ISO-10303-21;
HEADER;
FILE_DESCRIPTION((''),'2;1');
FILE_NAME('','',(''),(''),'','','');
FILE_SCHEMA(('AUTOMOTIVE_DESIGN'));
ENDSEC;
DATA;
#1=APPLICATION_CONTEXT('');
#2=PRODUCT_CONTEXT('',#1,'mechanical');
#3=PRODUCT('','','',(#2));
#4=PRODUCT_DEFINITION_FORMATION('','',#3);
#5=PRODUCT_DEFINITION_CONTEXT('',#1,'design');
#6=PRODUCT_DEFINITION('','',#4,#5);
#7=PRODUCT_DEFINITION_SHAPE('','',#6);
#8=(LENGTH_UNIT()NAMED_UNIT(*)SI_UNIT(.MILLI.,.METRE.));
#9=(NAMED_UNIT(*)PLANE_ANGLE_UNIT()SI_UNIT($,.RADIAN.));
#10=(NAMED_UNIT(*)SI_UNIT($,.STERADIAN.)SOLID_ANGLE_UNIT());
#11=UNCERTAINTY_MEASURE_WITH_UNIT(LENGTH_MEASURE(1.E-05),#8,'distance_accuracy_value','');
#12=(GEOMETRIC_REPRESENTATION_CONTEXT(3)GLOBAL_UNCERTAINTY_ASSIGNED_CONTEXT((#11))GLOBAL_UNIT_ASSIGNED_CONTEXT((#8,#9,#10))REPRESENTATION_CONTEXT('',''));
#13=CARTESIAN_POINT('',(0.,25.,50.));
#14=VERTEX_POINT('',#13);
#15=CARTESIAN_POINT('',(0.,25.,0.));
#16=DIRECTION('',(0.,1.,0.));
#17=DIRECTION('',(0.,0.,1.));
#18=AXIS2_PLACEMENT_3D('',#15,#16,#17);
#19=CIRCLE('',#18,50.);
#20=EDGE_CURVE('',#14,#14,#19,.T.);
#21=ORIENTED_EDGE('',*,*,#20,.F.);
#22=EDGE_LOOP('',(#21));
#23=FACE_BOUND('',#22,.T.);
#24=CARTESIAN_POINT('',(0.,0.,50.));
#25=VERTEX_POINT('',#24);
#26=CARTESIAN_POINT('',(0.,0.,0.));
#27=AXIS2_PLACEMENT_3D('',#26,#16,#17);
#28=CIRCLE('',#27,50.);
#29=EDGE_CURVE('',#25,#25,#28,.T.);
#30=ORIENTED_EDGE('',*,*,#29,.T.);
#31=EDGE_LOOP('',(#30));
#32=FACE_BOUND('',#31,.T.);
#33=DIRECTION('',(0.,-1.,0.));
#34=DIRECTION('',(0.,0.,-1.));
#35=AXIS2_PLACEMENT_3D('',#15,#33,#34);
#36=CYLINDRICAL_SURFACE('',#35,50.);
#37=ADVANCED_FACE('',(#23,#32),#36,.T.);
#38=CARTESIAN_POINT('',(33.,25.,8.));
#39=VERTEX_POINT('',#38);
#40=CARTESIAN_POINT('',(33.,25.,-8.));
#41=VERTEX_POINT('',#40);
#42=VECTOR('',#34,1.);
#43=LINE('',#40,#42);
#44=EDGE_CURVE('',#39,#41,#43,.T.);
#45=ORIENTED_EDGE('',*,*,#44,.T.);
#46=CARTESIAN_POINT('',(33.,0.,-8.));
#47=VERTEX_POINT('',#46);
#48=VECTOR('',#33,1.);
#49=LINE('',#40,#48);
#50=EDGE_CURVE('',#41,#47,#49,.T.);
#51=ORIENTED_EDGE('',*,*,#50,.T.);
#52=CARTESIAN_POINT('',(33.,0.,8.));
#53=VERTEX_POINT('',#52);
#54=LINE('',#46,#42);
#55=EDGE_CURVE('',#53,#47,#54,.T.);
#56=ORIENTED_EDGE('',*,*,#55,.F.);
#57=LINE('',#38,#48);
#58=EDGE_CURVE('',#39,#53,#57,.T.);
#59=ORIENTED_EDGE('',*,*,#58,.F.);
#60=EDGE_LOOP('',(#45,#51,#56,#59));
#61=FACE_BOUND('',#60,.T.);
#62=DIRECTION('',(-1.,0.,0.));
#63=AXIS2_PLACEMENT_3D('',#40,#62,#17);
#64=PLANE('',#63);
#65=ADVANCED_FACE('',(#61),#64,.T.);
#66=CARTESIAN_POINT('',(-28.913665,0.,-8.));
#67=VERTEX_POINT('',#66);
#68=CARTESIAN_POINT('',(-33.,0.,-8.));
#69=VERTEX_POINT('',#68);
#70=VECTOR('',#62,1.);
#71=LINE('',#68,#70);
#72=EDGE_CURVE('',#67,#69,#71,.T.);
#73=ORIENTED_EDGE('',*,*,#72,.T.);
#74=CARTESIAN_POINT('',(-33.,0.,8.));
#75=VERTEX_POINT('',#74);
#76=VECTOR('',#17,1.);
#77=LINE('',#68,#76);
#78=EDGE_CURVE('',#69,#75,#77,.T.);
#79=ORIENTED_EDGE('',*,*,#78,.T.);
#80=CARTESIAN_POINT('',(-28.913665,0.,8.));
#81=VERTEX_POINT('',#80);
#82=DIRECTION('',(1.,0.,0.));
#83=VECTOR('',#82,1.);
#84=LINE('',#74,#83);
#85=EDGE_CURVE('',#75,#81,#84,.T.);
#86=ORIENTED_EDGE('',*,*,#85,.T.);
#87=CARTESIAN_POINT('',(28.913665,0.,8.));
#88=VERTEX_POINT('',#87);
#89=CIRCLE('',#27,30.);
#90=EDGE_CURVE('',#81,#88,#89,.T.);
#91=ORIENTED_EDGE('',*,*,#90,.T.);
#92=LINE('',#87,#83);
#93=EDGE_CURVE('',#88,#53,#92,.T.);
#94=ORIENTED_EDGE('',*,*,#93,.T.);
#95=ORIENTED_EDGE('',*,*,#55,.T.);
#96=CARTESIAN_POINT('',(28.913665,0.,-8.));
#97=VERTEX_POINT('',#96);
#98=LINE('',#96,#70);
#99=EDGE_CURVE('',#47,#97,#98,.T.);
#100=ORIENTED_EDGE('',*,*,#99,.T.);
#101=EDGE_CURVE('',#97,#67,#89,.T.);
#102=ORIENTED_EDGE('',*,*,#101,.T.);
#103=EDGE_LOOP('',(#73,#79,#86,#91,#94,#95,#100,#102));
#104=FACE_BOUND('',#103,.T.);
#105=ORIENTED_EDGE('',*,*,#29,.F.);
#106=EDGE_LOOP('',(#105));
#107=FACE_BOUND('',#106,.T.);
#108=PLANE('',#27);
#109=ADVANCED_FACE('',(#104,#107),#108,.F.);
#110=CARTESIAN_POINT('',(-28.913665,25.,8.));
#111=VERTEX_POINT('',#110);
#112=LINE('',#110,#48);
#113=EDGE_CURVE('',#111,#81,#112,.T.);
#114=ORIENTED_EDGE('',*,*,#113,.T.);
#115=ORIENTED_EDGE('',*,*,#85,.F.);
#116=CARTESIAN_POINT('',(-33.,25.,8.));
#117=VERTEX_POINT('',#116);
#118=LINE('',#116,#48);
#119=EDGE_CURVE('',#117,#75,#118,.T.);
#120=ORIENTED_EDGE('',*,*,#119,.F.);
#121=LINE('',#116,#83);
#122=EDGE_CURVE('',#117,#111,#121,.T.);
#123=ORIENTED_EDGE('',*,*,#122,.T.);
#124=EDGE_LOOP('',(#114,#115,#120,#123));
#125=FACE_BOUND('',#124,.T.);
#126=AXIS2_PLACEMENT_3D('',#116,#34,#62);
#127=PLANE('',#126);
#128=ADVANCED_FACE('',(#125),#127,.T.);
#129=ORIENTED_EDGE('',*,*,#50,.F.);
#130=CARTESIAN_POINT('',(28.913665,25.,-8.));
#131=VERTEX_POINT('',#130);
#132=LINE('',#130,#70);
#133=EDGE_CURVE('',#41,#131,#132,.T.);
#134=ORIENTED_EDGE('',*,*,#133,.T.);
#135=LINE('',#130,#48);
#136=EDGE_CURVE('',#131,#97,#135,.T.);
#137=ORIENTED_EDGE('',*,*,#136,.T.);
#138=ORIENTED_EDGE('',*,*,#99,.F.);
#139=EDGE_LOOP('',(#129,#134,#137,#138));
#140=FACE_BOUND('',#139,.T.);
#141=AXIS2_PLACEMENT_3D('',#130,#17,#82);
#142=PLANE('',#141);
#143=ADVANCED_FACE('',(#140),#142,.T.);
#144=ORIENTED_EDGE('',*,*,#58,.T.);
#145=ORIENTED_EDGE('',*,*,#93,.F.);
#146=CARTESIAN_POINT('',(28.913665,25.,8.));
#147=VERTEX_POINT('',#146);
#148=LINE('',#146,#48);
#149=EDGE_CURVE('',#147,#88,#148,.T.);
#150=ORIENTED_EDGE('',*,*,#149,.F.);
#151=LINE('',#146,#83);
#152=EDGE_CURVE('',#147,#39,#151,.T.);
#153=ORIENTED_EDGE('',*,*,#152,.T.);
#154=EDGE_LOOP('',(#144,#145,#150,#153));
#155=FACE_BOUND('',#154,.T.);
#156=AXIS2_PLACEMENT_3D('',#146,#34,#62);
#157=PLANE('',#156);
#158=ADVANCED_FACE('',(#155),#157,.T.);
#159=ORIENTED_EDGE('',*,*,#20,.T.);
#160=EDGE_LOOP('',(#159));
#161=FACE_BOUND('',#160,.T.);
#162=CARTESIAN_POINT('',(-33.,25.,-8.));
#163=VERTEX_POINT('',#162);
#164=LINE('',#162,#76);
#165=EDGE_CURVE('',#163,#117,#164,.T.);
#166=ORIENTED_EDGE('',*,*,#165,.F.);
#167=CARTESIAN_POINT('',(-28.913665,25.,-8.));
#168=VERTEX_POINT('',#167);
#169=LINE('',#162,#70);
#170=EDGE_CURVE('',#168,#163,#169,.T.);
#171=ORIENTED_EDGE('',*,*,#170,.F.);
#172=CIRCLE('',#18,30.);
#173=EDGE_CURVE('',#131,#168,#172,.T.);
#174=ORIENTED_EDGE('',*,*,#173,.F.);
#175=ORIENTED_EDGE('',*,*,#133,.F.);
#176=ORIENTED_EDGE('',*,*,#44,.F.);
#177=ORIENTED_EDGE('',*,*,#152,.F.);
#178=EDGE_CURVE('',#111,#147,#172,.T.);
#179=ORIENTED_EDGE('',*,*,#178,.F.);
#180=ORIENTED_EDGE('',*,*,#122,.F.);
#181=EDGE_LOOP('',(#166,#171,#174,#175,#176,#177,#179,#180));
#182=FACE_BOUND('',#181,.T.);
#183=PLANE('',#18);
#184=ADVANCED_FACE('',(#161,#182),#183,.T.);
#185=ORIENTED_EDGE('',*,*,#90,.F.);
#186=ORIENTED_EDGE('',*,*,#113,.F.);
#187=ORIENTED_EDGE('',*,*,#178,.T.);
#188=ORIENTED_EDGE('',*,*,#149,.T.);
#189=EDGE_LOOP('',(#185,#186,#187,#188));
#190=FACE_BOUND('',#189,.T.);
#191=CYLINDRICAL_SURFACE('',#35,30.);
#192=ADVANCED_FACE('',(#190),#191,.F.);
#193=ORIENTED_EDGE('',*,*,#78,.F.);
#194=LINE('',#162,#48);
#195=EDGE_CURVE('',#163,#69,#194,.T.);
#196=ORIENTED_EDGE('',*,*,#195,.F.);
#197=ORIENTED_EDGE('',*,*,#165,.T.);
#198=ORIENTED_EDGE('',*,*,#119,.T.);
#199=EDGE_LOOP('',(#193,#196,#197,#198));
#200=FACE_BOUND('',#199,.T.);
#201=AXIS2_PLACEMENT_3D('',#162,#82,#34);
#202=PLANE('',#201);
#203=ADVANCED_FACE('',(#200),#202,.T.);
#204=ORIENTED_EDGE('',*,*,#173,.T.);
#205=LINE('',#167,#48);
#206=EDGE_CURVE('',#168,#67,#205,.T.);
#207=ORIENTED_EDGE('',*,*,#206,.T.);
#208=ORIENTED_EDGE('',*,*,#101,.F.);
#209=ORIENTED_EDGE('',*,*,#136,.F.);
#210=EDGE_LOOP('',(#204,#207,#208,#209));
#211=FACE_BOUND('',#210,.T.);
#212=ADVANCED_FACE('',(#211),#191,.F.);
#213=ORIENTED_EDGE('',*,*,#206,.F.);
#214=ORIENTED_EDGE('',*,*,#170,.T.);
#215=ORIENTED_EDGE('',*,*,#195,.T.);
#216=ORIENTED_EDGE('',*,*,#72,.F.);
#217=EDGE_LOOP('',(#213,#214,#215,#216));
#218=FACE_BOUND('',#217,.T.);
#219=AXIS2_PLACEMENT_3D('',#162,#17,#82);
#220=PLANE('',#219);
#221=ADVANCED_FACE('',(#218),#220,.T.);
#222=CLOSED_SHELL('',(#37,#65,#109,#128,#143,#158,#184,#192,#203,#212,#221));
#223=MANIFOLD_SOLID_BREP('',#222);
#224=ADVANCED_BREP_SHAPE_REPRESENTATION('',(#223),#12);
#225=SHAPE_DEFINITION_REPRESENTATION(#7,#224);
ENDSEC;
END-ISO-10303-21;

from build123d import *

# Parameters (mm, degrees)
SKETCH2_R           = 50
BOSS_EXTRUDE1_DEPTH = 25


with BuildPart() as part:
    # Sketch2 → Boss-Extrude1 (new body)
    with BuildSketch(Plane(origin=(0, 0, 0), x_dir=(1, 0, 0), z_dir=(0, 1, 0))):
        Circle(SKETCH2_R)
        with BuildLine():
            Line((28.91366459, 8), (33, 8))
            Line((33, 8), (33, -8))
            Line((33, -8), (28.91366459, -8))
            ThreePointArc((28.91366459, -8), (0, -30), (-28.91366459, -8))
            Line((-28.91366459, -8), (-33, -8))
            Line((-33, -8), (-33, 8))
            Line((-33, 8), (-28.91366459, 8))
            ThreePointArc((-28.91366459, 8), (0, 30), (28.91366459, 8))
        make_face(mode=Mode.SUBTRACT)
    extrude(amount=BOSS_EXTRUDE1_DEPTH)


solid = part.part
